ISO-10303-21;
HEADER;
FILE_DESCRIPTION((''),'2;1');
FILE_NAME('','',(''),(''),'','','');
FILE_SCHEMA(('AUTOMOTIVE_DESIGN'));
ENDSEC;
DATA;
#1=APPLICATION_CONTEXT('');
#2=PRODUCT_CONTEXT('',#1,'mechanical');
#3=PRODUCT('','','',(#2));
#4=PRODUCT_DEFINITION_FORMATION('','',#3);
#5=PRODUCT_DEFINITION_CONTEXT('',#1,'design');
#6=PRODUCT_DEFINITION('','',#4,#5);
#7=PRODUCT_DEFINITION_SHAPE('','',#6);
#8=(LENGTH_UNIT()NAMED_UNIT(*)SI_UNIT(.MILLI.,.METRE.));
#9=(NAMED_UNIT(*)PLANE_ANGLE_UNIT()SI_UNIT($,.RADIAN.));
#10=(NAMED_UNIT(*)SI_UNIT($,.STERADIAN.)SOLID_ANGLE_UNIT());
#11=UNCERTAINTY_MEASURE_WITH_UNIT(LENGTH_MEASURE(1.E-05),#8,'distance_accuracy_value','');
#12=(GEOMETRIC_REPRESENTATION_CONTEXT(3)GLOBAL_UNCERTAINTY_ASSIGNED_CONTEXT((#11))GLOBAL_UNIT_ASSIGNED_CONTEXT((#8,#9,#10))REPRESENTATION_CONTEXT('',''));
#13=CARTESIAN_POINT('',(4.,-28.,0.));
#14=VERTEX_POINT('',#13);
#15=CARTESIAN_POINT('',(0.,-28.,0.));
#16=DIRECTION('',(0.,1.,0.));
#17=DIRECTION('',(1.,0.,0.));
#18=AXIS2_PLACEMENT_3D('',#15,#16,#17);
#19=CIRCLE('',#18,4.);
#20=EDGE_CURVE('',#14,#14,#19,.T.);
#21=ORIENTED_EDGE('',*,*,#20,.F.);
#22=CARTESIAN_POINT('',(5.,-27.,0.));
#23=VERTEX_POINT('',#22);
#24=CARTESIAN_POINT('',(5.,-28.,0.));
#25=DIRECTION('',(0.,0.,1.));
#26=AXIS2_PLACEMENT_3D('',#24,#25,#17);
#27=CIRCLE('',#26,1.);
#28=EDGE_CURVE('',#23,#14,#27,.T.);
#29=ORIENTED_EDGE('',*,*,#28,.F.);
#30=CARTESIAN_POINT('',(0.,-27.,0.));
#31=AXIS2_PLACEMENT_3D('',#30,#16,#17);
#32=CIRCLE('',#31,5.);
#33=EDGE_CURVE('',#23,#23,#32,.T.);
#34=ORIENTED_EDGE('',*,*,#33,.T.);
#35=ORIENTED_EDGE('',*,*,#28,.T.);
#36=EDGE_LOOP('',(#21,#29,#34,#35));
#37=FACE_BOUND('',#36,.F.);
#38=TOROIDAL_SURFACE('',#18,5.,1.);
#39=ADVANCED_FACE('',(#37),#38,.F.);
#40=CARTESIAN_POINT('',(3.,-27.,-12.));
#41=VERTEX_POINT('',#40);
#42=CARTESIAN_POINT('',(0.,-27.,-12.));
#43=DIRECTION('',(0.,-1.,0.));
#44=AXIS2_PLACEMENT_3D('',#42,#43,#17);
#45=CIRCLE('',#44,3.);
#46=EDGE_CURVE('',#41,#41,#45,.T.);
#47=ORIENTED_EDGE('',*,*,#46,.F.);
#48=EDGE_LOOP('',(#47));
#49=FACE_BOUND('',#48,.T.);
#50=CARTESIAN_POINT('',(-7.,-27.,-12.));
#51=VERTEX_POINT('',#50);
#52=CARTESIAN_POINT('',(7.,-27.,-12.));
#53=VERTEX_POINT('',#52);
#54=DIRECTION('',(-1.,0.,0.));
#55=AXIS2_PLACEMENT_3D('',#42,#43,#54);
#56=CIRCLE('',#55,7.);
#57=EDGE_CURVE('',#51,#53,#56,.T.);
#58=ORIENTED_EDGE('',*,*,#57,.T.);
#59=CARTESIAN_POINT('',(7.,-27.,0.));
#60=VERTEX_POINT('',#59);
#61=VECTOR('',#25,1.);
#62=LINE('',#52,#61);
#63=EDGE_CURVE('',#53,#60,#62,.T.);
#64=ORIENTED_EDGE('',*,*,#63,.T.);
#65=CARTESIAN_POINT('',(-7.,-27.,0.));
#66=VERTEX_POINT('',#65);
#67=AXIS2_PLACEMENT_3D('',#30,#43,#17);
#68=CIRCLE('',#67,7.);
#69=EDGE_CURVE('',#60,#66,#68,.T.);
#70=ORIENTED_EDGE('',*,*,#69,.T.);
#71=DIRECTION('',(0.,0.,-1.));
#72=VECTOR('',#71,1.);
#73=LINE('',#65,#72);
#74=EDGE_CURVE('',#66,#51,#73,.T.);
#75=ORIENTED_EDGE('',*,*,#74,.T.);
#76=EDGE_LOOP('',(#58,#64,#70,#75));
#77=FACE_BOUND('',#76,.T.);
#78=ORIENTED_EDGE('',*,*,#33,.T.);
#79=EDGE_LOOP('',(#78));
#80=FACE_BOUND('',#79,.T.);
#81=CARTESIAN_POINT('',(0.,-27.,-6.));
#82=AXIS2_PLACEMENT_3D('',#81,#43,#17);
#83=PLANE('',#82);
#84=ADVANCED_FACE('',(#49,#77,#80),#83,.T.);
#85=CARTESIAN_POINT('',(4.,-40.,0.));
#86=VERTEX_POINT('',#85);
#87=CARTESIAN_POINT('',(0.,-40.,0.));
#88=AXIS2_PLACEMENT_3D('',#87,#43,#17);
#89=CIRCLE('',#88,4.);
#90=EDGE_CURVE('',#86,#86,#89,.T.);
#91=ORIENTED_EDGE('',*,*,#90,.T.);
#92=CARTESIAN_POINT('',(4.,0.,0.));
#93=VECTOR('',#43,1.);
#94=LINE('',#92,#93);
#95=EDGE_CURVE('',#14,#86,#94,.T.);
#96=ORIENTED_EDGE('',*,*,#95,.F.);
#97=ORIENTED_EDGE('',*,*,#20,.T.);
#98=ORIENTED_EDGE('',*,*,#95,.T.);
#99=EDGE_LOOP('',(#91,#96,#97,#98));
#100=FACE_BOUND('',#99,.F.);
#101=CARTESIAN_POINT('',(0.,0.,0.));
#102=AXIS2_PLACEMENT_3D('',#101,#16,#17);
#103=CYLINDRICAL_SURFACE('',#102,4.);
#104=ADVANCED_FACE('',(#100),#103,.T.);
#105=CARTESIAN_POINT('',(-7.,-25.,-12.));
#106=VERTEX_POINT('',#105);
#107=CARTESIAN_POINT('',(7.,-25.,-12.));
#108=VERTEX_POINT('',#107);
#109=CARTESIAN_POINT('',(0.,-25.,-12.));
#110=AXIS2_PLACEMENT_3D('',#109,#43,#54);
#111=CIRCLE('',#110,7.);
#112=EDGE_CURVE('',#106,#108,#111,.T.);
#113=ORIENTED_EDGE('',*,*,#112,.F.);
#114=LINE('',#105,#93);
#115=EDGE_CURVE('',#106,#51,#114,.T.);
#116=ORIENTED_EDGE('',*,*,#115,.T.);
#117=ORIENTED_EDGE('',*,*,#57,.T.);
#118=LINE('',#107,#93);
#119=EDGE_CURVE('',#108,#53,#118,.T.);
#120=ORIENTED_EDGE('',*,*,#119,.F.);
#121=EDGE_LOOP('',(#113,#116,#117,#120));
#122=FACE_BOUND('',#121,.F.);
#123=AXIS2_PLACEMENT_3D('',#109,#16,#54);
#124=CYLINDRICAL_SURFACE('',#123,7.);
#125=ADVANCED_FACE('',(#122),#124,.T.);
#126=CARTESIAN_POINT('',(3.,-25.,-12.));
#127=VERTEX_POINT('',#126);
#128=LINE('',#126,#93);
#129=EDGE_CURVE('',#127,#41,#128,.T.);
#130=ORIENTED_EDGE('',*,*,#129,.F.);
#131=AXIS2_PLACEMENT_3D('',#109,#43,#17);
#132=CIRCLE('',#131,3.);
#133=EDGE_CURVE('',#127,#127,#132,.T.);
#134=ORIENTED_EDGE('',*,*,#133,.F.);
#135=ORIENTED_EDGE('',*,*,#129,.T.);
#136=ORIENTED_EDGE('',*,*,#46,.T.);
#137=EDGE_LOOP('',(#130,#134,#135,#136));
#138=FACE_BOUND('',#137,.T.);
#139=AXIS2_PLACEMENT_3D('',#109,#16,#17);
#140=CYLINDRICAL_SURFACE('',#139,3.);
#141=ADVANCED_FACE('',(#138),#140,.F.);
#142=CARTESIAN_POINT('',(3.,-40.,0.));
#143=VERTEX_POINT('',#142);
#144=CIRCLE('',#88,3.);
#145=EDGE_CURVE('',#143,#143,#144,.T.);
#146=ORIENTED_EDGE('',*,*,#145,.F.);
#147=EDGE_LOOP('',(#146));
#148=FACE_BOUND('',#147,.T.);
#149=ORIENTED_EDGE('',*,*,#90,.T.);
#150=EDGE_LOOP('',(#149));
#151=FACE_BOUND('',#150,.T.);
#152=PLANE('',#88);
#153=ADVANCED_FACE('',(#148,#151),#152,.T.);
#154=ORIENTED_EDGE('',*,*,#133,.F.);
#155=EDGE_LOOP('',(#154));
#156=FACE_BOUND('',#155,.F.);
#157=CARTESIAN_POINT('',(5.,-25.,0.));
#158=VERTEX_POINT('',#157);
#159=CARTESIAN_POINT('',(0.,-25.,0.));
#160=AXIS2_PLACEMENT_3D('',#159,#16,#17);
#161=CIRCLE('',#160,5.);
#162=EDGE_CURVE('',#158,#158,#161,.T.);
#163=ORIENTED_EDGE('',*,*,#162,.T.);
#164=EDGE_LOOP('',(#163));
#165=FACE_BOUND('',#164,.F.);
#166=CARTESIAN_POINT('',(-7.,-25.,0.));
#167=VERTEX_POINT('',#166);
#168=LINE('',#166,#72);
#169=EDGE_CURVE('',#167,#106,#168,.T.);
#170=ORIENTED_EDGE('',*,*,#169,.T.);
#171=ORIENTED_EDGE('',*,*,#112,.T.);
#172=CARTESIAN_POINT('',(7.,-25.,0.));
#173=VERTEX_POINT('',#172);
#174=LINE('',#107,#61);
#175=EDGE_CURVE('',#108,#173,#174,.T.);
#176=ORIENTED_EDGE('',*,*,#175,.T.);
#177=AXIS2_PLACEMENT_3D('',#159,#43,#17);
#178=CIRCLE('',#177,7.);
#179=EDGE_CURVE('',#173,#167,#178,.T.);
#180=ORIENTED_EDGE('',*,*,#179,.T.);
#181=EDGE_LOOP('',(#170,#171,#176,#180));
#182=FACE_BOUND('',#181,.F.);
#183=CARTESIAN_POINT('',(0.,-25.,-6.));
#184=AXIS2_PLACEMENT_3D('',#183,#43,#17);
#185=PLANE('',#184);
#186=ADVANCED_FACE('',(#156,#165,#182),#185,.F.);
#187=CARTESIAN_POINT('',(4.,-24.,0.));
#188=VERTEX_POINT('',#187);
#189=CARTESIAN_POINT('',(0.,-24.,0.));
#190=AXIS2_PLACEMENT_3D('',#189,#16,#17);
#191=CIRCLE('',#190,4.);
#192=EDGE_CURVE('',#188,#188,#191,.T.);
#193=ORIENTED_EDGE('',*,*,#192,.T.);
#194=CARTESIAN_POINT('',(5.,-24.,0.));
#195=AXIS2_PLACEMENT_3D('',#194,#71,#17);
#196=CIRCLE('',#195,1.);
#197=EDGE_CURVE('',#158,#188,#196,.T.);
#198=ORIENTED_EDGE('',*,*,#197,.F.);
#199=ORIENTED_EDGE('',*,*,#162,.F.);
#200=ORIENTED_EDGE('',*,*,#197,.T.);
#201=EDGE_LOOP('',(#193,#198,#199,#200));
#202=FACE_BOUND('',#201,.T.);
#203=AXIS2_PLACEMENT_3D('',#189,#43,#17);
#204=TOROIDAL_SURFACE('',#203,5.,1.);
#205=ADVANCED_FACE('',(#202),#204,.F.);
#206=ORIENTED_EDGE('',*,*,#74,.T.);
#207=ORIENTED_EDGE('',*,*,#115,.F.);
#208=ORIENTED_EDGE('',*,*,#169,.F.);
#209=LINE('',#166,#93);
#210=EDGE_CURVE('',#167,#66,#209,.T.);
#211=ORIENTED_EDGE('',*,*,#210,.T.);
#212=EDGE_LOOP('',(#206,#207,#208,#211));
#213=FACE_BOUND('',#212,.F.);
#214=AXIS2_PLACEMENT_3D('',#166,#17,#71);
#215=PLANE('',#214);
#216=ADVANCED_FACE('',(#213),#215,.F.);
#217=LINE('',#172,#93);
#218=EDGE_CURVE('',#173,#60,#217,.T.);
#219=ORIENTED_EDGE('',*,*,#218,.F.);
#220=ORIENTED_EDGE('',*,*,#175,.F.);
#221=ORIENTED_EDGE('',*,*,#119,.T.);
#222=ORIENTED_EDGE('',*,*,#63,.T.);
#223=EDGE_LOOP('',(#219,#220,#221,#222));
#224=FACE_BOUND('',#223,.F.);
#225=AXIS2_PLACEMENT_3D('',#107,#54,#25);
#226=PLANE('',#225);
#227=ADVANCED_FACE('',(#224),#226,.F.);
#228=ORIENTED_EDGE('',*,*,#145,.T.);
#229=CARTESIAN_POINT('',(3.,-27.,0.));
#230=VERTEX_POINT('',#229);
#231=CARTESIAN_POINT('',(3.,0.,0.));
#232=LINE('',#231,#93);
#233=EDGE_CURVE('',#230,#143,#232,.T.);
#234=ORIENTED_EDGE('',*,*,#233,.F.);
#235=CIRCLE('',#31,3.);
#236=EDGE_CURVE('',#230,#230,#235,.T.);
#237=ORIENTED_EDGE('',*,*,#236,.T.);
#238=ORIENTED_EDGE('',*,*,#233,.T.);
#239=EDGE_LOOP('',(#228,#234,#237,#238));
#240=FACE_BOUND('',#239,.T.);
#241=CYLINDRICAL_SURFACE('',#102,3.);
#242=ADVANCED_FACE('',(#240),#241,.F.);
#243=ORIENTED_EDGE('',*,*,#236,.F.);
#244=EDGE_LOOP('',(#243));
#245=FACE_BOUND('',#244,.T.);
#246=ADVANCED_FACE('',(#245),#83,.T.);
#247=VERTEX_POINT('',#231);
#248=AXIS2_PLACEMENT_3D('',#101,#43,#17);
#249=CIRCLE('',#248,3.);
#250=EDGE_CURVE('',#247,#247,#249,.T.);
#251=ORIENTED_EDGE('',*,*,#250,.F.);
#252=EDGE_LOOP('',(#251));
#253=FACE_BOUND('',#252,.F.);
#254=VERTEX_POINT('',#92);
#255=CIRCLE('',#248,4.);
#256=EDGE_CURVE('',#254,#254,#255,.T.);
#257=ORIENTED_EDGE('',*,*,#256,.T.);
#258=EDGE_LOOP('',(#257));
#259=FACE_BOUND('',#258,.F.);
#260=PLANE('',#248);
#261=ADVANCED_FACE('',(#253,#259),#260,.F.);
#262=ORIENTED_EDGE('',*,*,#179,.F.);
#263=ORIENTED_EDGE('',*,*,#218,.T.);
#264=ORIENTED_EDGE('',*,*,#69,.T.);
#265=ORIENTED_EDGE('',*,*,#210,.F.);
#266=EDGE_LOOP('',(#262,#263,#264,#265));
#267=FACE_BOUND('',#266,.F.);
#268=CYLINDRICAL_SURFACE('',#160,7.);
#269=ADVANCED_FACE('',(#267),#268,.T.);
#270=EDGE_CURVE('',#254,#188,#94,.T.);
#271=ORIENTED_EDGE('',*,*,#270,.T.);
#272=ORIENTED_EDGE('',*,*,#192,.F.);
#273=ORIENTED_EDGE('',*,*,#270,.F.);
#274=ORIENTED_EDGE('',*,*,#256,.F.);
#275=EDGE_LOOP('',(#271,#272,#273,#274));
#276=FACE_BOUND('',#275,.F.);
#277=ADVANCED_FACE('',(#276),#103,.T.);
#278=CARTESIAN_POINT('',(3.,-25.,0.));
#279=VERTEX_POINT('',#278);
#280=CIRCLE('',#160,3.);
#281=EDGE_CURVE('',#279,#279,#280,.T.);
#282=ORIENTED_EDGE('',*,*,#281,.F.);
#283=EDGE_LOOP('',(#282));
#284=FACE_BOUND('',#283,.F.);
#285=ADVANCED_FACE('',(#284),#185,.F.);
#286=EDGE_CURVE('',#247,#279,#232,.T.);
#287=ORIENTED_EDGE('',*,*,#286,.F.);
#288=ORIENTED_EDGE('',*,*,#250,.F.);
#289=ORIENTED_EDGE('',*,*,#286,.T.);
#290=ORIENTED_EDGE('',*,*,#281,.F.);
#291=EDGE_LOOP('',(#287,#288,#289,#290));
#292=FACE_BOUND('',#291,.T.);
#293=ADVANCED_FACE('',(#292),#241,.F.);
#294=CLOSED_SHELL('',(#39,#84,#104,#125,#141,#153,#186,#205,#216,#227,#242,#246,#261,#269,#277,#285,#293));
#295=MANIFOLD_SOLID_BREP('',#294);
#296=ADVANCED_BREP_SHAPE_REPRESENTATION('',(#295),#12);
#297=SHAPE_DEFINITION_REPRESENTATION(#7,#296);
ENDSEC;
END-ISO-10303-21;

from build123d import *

# Parameters (mm, degrees)
F0_R     = 4
F0_R_2   = 3
F1_DEPTH = 40
F3_R     = 3
F4_DEPTH = 2
F5_R     = 1


with BuildPart() as f1:
    # F0 (on Front) → F1 (new body)
    with BuildSketch(Plane.XZ):
        Circle(F0_R)
        Circle(F0_R_2, mode=Mode.SUBTRACT)
    extrude(amount=F1_DEPTH)

    # F3 (on offset) → F4 (join)
    with BuildSketch(Plane.XZ.offset(25)):
        with BuildLine():
            Line((-7, 0), (-7, -12))
            ThreePointArc((-7, -12), (0, -19), (7, -12))
            Line((7, -12), (7, 0))
            ThreePointArc((7, 0), (0, 7), (-7, 0))
        make_face()
        with Locations((0, -12)):
            Circle(F3_R, mode=Mode.SUBTRACT)
    extrude(amount=F4_DEPTH)

    # F5
    f5_edges = [f1.edges().sort_by_distance(p)[0] for p in [
        (-4, -27, 0),
        (-4, -25, 0),
    ]]
    fillet(f5_edges, radius=F5_R)


solid = f1.part
